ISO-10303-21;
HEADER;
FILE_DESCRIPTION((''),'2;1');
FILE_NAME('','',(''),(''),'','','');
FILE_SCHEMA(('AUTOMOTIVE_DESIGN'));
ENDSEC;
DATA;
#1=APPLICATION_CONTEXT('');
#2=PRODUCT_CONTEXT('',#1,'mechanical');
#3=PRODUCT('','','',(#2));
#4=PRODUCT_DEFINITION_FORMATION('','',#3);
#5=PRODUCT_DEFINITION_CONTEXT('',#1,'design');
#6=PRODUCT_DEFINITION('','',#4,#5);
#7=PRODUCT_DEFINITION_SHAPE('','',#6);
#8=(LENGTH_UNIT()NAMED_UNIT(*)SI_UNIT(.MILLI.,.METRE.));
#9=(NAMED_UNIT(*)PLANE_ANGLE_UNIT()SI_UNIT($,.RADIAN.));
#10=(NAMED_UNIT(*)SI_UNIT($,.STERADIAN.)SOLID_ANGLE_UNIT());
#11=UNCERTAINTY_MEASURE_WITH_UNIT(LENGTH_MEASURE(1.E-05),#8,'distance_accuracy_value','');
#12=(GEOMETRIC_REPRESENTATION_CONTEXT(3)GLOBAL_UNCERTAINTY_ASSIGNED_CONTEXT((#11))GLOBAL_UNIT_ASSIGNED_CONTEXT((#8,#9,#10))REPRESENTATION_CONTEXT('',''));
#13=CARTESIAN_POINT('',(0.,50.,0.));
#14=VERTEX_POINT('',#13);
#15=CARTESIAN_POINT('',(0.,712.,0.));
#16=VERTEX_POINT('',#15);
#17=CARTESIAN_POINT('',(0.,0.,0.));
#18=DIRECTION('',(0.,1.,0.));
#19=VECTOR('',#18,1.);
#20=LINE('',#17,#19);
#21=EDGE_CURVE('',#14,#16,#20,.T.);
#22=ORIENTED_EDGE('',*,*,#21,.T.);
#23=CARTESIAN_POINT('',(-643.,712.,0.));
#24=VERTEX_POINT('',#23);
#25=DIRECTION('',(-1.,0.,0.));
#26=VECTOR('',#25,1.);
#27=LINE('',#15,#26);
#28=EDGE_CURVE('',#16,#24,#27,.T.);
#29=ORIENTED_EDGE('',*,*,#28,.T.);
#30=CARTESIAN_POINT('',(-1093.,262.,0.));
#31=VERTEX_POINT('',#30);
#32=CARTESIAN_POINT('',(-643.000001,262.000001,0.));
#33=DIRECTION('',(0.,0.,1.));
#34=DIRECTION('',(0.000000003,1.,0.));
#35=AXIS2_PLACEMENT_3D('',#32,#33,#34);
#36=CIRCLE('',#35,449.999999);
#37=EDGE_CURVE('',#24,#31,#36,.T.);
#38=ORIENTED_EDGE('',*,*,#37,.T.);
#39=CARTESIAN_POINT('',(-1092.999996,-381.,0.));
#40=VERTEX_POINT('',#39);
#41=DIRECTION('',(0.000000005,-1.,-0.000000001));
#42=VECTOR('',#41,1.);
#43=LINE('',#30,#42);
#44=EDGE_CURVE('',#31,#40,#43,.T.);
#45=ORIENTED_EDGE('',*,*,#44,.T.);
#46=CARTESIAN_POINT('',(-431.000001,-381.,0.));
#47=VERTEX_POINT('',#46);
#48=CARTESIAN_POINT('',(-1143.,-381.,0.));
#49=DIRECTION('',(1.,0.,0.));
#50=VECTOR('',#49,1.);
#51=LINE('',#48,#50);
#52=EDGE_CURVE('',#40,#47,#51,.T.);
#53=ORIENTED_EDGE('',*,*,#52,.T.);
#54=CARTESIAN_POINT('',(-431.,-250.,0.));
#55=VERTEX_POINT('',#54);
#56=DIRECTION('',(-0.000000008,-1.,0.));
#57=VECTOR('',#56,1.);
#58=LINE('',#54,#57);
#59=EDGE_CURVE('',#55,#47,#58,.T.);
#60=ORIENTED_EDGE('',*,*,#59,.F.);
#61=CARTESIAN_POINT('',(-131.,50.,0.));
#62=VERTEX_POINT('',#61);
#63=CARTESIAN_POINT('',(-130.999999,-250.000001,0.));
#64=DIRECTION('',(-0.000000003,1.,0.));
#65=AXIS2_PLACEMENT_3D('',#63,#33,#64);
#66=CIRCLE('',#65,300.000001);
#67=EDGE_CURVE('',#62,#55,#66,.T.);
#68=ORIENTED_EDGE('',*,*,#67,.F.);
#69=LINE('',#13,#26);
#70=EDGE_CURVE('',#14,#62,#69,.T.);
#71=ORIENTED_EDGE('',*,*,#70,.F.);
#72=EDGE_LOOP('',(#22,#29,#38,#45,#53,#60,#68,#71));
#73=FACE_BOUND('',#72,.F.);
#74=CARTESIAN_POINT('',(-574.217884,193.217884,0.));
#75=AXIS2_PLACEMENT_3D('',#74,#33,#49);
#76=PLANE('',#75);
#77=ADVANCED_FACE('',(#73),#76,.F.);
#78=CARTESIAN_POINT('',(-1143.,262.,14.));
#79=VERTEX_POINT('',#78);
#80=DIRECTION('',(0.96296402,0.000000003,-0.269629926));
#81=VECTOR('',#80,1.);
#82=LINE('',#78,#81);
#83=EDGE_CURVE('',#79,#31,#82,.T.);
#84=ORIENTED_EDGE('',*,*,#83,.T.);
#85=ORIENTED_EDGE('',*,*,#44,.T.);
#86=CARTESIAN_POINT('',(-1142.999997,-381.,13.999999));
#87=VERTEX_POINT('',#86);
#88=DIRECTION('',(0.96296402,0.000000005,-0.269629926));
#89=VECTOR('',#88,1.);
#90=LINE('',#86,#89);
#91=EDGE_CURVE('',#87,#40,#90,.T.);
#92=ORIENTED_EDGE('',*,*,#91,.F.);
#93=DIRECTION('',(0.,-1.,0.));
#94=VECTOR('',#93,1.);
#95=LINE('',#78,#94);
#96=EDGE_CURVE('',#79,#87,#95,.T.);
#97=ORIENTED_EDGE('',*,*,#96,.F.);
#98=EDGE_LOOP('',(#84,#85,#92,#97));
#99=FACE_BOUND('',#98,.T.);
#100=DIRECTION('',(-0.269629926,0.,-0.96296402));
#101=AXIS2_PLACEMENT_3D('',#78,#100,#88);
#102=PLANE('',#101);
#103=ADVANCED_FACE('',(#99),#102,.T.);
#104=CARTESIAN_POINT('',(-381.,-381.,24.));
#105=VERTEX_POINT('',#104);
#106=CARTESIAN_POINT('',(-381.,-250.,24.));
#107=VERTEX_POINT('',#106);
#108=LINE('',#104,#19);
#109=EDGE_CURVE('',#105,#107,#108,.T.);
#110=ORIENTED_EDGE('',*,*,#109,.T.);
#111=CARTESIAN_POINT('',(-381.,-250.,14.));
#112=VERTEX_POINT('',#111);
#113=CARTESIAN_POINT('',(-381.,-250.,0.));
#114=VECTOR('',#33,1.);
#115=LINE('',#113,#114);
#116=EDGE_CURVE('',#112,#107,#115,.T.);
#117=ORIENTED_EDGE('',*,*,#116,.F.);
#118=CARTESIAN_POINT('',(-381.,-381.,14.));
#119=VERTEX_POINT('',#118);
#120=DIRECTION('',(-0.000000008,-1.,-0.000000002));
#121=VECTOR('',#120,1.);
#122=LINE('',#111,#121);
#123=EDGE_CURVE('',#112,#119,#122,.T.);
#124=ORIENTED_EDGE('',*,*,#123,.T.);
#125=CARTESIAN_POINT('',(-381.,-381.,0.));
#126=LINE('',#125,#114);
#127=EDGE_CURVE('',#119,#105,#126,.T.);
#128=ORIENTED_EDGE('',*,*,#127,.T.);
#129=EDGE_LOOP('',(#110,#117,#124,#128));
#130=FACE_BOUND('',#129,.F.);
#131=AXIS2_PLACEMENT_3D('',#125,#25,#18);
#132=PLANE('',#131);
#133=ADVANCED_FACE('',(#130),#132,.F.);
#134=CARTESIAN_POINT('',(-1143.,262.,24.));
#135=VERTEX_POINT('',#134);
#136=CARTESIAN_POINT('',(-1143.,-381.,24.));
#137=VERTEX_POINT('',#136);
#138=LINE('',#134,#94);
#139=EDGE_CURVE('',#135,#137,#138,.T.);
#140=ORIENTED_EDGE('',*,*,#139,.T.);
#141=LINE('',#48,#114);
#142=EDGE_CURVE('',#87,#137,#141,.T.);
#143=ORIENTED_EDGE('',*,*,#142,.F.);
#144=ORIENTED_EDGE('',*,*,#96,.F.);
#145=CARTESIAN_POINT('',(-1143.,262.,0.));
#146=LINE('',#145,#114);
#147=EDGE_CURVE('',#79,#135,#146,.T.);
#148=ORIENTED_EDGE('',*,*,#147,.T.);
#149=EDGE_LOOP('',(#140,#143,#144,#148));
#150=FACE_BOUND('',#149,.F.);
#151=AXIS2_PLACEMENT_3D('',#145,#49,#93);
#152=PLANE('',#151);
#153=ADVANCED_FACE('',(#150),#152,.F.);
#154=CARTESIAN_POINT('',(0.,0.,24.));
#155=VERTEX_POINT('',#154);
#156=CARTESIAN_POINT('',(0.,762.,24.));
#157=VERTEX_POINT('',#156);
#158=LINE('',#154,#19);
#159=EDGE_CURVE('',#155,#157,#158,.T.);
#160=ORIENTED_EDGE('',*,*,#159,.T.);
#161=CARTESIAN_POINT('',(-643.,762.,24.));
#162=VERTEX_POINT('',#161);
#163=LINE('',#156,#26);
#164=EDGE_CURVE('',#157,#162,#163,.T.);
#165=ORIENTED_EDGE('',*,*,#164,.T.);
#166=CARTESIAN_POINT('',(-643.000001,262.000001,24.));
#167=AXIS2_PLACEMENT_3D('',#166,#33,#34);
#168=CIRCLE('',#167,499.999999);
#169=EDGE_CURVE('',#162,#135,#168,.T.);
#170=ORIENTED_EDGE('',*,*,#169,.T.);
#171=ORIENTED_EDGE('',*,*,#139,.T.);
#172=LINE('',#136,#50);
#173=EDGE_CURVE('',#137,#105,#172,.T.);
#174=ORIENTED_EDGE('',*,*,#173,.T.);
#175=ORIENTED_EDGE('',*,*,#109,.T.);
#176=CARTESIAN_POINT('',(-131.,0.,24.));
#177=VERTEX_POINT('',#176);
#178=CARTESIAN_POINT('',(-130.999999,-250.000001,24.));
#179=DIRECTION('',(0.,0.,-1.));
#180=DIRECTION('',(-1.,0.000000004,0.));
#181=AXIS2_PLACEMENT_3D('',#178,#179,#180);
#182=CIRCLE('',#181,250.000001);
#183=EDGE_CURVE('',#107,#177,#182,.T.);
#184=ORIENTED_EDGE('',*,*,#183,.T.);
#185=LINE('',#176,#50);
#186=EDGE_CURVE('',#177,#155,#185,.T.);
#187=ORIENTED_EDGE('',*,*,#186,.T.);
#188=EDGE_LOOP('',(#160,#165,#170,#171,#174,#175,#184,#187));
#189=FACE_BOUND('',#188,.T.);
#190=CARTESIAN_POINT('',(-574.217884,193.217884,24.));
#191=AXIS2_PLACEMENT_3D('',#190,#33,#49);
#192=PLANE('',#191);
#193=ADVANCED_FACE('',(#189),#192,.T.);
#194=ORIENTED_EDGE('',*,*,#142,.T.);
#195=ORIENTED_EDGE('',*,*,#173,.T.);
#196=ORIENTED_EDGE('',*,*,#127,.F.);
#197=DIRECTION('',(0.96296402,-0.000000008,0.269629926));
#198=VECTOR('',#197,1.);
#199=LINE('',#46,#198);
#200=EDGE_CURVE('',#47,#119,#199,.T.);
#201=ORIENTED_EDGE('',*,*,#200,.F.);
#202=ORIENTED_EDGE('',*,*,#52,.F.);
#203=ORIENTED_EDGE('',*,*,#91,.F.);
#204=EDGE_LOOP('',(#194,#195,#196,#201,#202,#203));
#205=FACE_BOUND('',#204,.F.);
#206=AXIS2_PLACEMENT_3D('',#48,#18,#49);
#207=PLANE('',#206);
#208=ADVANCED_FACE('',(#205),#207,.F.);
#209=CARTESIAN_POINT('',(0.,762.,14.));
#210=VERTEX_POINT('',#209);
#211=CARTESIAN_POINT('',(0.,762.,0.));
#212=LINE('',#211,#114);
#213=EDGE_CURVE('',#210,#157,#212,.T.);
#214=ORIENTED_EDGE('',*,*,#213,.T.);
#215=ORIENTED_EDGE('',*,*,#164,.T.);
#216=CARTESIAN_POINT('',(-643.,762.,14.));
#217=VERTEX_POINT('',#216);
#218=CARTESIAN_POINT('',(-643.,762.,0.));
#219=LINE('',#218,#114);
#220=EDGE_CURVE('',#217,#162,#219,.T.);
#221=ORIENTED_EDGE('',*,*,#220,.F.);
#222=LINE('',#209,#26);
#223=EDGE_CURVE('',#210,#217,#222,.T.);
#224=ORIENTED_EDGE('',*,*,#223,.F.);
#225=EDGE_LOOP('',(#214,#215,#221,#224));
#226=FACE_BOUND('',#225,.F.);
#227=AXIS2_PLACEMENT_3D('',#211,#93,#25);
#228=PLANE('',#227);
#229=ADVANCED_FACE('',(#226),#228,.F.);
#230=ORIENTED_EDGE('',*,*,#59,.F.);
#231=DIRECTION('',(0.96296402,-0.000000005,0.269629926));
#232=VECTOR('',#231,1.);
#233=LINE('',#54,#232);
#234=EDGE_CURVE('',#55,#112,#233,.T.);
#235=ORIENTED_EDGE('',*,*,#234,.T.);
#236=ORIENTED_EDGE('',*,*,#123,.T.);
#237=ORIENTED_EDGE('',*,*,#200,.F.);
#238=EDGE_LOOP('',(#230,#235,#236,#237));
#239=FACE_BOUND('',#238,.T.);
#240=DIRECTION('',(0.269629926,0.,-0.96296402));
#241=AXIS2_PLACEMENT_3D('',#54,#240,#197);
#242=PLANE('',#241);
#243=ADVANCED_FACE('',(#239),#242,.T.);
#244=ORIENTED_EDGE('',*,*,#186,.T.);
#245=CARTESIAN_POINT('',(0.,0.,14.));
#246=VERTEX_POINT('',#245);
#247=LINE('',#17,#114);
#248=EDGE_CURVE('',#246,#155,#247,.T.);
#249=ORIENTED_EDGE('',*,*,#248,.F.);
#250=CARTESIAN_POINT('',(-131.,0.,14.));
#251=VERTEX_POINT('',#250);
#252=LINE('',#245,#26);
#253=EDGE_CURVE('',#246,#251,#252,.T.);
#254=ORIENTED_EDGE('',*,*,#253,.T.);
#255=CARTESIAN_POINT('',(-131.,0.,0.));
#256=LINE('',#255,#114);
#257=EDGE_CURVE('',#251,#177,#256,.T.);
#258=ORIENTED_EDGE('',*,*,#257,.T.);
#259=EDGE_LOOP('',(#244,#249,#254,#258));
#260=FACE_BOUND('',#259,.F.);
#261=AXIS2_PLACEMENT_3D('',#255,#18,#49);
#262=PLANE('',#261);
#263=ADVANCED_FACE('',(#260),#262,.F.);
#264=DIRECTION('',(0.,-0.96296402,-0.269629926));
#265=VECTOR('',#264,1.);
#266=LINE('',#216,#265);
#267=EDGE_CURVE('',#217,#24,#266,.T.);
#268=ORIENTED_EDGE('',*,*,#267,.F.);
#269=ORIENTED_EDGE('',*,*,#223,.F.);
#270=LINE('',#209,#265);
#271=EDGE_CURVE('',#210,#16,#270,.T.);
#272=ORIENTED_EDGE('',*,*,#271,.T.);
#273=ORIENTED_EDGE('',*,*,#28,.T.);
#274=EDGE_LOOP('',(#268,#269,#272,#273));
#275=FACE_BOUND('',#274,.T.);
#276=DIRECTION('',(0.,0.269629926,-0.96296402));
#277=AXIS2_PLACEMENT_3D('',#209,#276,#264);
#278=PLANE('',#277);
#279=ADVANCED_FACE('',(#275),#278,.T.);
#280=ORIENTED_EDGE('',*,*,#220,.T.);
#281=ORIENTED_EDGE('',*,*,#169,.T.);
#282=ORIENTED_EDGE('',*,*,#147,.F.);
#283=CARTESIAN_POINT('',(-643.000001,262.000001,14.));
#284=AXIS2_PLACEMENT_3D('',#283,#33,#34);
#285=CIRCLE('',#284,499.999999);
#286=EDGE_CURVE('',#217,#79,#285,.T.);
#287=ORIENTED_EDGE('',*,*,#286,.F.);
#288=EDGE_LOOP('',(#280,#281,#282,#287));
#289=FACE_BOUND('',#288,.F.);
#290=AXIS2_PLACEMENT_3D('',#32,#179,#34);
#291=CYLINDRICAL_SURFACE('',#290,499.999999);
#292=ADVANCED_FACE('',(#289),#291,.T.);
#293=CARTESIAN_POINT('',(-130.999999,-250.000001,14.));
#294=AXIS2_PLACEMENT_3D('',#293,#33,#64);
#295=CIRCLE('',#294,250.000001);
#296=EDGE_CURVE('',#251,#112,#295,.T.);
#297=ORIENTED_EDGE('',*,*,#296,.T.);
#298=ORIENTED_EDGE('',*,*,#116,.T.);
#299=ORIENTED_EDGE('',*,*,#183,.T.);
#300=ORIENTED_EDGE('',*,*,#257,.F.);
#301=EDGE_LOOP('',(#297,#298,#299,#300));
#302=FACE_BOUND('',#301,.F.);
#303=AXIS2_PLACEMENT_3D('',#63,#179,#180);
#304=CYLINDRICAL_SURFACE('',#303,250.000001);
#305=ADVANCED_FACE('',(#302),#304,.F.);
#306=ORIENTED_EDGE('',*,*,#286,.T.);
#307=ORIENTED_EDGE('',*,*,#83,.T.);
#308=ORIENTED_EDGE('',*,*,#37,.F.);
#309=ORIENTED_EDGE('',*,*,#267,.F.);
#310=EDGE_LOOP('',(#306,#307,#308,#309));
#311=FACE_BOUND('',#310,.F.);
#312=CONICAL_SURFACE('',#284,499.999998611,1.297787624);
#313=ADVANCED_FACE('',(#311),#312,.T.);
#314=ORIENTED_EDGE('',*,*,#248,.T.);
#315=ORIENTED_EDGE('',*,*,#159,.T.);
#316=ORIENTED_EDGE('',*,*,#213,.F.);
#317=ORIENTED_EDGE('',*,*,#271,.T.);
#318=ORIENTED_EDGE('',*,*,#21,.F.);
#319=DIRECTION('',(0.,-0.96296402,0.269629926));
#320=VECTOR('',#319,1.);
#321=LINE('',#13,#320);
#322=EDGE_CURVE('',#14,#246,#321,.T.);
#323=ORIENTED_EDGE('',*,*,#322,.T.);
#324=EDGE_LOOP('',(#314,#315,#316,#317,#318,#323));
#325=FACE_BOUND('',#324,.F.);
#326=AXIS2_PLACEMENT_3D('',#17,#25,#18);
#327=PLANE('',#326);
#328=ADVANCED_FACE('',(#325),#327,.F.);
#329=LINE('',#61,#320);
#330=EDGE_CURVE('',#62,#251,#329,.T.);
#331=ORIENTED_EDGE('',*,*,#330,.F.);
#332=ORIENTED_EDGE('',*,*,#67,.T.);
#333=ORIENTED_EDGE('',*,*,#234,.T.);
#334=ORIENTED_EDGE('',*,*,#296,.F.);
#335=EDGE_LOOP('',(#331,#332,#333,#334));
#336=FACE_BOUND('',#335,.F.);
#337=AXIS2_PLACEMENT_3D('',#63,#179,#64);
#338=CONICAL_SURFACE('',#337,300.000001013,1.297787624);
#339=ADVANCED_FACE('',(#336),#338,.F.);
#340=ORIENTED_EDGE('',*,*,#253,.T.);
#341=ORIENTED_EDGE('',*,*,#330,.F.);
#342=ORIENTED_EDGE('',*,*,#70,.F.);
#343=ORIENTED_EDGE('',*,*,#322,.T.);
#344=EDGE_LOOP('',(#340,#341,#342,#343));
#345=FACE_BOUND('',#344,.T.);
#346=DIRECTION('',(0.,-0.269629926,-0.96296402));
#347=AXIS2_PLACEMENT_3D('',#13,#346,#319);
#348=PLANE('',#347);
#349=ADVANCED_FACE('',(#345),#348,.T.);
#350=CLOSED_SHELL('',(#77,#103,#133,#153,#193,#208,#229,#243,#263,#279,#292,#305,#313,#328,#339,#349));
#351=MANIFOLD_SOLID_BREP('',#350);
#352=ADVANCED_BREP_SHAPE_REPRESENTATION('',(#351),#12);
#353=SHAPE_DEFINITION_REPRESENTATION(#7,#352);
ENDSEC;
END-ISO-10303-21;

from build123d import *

# Parameters (mm, degrees)
F1_DEPTH = 24


with BuildPart() as f1:
    # F0 (on Top) → F1 (new body)
    with BuildSketch(Plane.XY):
        with BuildLine():
            Line((-131, 0), (0, 0))
            Line((0, 0), (0, 762))
            Line((0, 762), (-643, 762))
            ThreePointArc((-643, 762), (-996.553391, 615.553391), (-1143, 262))
            Line((-1143, 262), (-1143, -381))
            Line((-1143, -381), (-381, -381))
            Line((-381, -381), (-381, -250))
            ThreePointArc((-381, -250), (-307.776695, -73.223305), (-131, 0))
        make_face()
    extrude(amount=F1_DEPTH)

    # F4: sweep along a path in F3
    with BuildLine(Plane(origin=(0, 0, 0), x_dir=(1, 0, 0), z_dir=(0, 0, -1))) as f4_path:
        Line((0, 0), (-131, 0))
        ThreePointArc((-131, 0), (-307.776695, 73.223305), (-381, 250))
        Line((-381, 250), (-381, 381))
    # F2 (on face) → F4 (sweep, cut)
    with BuildSketch(Plane.YZ):
        Polygon((0, 0), (50, 0), (0, 14), align=None)
    sweep(path=f4_path.line, mode=Mode.SUBTRACT)

    # F5: sweep along a path in F3
    with BuildLine(Plane(origin=(0, 0, 0), x_dir=(1, 0, 0), z_dir=(0, 0, -1))) as f5_path:
        Line((0, -762), (-643, -762))
        ThreePointArc((-643, -762), (-996.553391, -615.553391), (-1143, -262))
        Line((-1143, -262), (-1143, 381))
    # F2 (on face) → F5 (sweep, cut)
    with BuildSketch(Plane.YZ):
        Polygon((762, 0), (762, 14), (712, 0), align=None)
    sweep(path=f5_path.line, mode=Mode.SUBTRACT)


solid = f1.part
